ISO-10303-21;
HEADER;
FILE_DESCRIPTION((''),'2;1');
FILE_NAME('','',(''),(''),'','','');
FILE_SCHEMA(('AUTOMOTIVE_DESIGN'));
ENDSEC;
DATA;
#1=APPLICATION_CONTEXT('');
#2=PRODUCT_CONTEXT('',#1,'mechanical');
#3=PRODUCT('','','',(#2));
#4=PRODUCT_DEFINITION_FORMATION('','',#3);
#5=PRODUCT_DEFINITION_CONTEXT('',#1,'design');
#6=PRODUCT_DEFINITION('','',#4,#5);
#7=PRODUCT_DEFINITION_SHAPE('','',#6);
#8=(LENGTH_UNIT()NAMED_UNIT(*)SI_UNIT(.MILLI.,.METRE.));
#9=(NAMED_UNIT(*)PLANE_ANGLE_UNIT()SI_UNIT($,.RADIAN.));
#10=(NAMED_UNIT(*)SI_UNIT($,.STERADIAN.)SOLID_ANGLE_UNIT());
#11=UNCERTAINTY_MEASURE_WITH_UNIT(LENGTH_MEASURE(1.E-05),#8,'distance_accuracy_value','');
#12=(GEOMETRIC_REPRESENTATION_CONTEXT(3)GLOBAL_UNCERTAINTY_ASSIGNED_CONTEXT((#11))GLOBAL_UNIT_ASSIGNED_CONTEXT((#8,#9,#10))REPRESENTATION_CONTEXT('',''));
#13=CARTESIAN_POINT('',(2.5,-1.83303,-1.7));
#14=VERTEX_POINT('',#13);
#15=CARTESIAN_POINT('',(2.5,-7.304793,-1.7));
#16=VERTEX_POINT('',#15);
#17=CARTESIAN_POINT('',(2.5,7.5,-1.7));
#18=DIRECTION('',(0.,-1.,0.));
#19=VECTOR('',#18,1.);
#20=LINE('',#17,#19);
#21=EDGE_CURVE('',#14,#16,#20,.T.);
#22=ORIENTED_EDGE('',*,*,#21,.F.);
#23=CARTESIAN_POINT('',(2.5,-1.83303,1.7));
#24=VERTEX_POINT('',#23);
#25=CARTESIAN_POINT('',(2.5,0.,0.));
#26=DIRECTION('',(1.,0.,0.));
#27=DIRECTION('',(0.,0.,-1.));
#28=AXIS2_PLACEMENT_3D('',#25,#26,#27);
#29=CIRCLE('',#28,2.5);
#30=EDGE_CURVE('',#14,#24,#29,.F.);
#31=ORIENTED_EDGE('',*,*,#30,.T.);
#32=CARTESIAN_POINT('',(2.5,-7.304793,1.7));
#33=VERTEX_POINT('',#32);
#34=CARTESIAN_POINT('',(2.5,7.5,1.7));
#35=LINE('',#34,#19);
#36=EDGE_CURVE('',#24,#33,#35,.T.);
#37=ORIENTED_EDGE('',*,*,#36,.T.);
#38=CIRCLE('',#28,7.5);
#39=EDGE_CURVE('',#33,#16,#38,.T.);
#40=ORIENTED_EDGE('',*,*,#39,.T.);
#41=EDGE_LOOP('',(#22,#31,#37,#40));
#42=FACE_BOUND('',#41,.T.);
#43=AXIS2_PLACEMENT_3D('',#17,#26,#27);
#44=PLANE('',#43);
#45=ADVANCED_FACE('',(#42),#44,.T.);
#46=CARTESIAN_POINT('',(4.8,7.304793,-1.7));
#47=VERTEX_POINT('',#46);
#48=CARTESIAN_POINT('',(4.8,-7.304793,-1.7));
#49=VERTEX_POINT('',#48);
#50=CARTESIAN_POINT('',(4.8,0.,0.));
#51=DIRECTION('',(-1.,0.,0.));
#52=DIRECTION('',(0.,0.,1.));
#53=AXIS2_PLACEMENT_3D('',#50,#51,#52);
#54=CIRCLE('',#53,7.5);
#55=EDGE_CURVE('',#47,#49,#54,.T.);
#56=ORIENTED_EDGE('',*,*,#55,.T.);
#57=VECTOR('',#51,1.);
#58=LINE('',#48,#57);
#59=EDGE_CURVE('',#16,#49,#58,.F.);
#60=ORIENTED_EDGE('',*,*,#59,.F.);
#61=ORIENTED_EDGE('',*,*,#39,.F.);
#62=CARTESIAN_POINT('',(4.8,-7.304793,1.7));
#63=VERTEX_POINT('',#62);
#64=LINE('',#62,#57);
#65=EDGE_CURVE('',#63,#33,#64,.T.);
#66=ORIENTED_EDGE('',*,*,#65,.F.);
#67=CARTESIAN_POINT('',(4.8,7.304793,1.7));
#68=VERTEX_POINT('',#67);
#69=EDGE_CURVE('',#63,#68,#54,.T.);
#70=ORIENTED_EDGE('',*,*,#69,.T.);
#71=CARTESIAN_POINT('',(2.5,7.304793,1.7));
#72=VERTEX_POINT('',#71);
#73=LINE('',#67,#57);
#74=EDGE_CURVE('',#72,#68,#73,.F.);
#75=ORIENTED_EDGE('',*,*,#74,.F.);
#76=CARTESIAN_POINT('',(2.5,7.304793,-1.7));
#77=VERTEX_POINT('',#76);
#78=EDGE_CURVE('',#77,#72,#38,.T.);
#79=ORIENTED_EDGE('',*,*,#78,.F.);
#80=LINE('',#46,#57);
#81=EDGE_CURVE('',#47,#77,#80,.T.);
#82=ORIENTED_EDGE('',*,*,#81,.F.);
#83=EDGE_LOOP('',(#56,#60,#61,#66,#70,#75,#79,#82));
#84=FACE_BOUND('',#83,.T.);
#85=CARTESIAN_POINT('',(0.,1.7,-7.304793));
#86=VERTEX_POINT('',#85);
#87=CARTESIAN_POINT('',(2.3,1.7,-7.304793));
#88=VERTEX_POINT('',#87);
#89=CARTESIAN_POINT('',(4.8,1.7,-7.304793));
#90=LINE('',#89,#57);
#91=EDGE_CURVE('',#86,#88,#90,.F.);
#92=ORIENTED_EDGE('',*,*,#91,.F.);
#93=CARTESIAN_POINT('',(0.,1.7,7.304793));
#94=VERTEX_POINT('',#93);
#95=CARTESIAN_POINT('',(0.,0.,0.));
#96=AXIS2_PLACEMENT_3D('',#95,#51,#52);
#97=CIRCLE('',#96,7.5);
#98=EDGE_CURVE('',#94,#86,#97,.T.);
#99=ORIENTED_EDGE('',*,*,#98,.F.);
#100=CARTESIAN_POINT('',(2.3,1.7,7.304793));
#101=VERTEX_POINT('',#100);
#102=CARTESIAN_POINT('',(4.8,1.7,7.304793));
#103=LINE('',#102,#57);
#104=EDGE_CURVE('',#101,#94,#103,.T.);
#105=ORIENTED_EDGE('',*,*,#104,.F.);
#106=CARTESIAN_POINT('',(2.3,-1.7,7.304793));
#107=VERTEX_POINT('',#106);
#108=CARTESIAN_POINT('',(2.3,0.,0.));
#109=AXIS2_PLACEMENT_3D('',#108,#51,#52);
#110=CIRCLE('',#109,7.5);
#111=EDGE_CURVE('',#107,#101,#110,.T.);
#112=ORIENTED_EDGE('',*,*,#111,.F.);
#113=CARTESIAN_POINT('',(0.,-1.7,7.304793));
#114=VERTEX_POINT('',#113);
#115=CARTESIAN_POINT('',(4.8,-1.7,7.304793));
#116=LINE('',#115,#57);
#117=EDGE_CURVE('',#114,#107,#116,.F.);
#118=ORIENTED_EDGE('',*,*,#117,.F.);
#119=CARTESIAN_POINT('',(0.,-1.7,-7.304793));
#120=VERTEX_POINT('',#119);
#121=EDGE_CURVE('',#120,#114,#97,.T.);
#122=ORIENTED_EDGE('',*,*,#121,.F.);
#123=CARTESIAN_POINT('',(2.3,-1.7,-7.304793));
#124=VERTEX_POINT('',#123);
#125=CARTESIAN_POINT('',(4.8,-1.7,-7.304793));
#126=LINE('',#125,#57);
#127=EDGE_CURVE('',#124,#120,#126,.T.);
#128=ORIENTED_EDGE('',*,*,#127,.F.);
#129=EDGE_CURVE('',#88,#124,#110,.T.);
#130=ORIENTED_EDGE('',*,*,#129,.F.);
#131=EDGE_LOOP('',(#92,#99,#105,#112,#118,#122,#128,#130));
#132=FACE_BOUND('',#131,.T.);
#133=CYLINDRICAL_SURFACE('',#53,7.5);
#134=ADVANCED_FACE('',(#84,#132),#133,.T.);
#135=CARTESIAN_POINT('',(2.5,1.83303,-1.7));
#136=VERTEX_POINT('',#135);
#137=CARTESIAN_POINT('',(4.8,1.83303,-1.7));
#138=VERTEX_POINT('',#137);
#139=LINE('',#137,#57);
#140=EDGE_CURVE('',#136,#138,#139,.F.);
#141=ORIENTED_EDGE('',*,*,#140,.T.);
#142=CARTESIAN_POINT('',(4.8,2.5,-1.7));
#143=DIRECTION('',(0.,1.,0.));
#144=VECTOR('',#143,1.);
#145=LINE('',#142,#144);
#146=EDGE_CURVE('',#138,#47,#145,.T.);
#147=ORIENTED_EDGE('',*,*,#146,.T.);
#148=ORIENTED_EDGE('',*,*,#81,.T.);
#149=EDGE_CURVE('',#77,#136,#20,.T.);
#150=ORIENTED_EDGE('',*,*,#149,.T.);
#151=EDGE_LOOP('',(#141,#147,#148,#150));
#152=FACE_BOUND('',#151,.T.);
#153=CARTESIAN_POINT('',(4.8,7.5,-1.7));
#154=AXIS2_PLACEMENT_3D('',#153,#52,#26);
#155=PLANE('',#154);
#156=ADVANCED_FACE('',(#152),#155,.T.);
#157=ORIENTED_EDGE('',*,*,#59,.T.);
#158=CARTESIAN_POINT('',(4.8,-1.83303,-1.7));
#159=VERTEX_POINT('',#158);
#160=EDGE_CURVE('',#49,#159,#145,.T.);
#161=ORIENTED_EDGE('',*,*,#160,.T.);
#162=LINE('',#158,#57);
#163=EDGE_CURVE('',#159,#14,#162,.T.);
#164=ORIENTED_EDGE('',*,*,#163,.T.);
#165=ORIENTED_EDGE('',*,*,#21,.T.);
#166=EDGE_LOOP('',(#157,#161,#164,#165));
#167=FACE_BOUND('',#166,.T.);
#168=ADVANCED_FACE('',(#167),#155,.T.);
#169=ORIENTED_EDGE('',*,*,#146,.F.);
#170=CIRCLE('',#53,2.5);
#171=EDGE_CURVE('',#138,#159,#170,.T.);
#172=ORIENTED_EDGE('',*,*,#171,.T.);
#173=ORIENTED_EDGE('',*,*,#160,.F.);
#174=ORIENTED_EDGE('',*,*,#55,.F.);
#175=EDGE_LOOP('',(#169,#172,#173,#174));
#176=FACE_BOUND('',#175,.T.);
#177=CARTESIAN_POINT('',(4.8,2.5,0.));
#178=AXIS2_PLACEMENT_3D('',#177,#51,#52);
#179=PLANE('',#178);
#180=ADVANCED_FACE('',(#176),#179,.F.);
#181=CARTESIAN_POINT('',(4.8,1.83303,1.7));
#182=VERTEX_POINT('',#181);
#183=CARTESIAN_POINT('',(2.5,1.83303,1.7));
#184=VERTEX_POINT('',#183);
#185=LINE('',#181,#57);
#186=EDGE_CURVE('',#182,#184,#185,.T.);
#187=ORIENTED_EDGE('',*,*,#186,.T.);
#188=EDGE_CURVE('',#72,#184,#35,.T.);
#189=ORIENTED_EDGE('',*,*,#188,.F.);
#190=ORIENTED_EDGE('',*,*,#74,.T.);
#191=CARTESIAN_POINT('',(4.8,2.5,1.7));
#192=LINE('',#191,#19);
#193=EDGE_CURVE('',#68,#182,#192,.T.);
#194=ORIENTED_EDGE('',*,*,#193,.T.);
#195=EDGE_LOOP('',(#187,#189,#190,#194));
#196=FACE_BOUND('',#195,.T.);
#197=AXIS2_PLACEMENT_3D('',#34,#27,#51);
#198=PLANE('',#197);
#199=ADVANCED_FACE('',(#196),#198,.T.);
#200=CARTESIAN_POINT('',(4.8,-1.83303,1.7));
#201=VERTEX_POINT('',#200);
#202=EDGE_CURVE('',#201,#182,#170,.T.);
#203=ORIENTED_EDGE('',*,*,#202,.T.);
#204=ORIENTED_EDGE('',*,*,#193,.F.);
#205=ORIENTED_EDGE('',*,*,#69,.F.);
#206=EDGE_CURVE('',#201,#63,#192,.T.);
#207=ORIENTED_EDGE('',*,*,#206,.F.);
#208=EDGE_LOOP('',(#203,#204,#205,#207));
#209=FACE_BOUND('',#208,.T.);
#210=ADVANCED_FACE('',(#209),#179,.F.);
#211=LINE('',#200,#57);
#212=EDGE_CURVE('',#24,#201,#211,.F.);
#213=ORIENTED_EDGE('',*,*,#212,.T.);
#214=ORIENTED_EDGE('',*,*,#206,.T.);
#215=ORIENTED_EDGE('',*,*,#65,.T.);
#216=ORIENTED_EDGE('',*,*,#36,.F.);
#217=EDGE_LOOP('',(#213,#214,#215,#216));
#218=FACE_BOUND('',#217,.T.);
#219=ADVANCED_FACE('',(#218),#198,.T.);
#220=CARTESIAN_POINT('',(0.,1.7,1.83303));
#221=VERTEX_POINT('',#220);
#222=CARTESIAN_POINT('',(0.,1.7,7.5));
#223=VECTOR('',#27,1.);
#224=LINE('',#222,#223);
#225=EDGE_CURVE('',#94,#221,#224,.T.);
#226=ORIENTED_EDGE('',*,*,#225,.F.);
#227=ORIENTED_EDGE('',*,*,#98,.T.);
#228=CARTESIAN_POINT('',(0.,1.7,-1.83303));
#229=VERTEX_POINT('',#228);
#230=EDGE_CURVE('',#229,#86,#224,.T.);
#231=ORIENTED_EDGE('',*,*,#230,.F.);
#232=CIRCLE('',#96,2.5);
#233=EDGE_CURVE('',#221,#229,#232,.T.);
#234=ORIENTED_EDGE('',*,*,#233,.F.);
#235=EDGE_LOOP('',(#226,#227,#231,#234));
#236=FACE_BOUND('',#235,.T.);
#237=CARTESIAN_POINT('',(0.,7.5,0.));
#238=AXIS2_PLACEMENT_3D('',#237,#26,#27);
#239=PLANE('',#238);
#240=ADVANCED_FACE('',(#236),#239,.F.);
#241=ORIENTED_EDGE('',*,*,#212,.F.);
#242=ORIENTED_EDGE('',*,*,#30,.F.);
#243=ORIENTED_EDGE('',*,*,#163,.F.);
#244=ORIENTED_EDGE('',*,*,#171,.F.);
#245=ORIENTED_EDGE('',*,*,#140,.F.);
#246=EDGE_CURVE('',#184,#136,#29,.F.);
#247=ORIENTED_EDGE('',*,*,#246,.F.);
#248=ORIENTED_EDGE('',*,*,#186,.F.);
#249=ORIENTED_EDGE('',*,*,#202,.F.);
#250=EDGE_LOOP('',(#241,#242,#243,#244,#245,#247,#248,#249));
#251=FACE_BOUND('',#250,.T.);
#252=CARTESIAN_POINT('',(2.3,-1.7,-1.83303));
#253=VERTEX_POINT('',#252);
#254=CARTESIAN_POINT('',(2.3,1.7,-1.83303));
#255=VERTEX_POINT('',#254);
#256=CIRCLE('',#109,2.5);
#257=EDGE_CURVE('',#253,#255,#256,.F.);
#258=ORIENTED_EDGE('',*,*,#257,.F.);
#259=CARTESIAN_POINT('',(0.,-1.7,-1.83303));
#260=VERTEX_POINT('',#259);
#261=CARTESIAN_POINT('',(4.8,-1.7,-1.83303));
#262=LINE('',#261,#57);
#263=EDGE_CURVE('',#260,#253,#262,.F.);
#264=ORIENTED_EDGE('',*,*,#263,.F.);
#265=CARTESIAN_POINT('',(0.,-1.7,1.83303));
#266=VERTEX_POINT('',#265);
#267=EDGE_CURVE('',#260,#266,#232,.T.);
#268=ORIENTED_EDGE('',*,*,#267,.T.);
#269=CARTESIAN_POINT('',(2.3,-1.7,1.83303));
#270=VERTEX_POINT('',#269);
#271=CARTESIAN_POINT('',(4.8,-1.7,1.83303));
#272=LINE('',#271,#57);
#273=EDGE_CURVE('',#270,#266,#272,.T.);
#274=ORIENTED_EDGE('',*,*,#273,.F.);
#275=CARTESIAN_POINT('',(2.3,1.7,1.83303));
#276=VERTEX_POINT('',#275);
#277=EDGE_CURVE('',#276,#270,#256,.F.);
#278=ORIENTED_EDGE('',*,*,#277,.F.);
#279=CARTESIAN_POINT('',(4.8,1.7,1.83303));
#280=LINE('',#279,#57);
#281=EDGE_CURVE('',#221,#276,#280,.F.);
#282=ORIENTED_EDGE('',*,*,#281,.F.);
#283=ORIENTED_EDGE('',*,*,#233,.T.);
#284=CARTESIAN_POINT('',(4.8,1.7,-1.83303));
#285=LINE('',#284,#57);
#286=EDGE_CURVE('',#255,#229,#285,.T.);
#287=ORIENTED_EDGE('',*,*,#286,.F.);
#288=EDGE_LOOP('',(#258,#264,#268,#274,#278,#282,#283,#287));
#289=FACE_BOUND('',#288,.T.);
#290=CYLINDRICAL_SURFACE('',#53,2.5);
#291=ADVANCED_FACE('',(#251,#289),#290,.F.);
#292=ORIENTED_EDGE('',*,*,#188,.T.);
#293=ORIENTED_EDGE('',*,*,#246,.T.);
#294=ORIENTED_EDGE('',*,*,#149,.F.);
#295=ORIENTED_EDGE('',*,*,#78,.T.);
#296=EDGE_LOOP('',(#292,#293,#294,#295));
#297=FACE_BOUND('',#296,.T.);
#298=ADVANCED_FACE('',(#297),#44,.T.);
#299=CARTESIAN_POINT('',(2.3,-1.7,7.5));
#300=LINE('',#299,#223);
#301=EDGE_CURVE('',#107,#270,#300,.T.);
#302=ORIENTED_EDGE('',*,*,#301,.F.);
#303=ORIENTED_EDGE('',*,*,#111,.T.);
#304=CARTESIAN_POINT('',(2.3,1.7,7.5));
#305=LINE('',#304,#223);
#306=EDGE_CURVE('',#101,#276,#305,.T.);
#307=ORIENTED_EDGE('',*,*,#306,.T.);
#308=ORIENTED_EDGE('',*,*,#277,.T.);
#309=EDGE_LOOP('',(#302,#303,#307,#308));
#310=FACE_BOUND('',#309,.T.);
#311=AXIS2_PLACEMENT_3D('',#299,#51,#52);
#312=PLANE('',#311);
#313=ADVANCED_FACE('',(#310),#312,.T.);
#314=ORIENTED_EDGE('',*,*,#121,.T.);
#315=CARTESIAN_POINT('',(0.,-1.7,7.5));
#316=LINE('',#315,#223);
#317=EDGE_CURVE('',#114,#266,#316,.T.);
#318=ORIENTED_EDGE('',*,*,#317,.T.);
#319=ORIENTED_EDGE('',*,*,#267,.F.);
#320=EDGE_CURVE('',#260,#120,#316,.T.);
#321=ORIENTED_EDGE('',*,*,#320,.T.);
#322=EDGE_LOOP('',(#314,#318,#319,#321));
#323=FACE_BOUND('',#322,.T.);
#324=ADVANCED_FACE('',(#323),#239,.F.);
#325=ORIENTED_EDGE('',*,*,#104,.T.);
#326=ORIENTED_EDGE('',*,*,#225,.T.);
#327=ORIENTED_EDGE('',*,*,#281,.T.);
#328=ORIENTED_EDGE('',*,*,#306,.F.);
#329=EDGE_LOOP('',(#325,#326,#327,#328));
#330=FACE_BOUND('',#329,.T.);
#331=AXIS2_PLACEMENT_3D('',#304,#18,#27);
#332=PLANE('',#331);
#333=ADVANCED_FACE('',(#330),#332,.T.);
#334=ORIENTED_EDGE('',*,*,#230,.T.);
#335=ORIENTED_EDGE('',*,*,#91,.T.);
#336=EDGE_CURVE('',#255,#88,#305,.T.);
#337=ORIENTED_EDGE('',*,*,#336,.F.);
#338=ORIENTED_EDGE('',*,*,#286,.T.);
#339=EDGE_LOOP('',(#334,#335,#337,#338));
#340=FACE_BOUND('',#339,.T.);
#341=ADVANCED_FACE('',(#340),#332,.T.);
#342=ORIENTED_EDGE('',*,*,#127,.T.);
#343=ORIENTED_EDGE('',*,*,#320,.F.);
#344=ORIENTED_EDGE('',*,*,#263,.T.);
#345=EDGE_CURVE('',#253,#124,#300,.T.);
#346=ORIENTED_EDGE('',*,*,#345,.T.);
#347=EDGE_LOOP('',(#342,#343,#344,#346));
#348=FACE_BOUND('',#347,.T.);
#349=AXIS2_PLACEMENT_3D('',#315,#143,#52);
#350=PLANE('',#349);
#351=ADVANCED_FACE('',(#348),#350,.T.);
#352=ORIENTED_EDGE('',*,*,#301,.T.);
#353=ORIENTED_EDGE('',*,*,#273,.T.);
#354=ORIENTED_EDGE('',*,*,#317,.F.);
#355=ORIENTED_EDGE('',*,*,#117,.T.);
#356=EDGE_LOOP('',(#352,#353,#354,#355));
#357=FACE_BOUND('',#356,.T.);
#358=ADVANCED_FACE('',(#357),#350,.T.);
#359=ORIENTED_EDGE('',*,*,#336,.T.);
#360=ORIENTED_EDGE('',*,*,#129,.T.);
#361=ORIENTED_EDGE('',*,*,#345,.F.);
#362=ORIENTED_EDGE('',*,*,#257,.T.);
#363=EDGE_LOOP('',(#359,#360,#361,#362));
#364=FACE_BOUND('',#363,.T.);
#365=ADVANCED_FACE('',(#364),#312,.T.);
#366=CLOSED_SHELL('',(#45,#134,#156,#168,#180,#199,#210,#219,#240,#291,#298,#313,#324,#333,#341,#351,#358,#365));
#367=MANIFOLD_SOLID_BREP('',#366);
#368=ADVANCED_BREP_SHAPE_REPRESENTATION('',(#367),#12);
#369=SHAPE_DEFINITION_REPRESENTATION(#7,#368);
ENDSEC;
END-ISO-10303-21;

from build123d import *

# Parameters (mm, degrees)
SKETCH1_W               = 4.8
SKETCH1_H               = 5
CUT_EXTRUDE1_DEPTH      = 7.5
CUT_EXTRUDE1_DEPTH_BACK = 7.5
SKETCH2_W               = 2.3
SKETCH2_H               = 3.4
CUT_EXTRUDE2_DEPTH      = 7.5
CUT_EXTRUDE2_DEPTH_BACK = 7.5
SKETCH3_W               = 2.3
SKETCH3_H               = 3.4


with BuildPart() as part:
    # Sketch1 → Revolve1 (revolve)
    with BuildSketch(Plane.XY):
        with Locations((2.4, 5)):
            Rectangle(SKETCH1_W, SKETCH1_H)
    revolve(axis=Axis((4.8, 0, 0), (-1, 0, 0)))

    # Sketch2 → Cut-Extrude1 (cut, two sides: drawn at the far end of the back side and taken through both)
    with BuildSketch(Plane.XY.offset(-CUT_EXTRUDE1_DEPTH_BACK)):
        with Locations((1.15, 0)):
            Rectangle(SKETCH2_W, SKETCH2_H)
    extrude(amount=CUT_EXTRUDE1_DEPTH + CUT_EXTRUDE1_DEPTH_BACK, mode=Mode.SUBTRACT)

    # Sketch3 → Cut-Extrude2 (cut, two sides: drawn at the far end of the back side and taken through both)
    with BuildSketch(Plane(origin=(0, 0, 0), x_dir=(-1, 0, 0), z_dir=(0, 1, 0)).offset(-CUT_EXTRUDE2_DEPTH_BACK)):
        with Locations((-3.65, 0)):
            Rectangle(SKETCH3_W, SKETCH3_H)
    extrude(amount=CUT_EXTRUDE2_DEPTH + CUT_EXTRUDE2_DEPTH_BACK, mode=Mode.SUBTRACT)


solid = part.part
